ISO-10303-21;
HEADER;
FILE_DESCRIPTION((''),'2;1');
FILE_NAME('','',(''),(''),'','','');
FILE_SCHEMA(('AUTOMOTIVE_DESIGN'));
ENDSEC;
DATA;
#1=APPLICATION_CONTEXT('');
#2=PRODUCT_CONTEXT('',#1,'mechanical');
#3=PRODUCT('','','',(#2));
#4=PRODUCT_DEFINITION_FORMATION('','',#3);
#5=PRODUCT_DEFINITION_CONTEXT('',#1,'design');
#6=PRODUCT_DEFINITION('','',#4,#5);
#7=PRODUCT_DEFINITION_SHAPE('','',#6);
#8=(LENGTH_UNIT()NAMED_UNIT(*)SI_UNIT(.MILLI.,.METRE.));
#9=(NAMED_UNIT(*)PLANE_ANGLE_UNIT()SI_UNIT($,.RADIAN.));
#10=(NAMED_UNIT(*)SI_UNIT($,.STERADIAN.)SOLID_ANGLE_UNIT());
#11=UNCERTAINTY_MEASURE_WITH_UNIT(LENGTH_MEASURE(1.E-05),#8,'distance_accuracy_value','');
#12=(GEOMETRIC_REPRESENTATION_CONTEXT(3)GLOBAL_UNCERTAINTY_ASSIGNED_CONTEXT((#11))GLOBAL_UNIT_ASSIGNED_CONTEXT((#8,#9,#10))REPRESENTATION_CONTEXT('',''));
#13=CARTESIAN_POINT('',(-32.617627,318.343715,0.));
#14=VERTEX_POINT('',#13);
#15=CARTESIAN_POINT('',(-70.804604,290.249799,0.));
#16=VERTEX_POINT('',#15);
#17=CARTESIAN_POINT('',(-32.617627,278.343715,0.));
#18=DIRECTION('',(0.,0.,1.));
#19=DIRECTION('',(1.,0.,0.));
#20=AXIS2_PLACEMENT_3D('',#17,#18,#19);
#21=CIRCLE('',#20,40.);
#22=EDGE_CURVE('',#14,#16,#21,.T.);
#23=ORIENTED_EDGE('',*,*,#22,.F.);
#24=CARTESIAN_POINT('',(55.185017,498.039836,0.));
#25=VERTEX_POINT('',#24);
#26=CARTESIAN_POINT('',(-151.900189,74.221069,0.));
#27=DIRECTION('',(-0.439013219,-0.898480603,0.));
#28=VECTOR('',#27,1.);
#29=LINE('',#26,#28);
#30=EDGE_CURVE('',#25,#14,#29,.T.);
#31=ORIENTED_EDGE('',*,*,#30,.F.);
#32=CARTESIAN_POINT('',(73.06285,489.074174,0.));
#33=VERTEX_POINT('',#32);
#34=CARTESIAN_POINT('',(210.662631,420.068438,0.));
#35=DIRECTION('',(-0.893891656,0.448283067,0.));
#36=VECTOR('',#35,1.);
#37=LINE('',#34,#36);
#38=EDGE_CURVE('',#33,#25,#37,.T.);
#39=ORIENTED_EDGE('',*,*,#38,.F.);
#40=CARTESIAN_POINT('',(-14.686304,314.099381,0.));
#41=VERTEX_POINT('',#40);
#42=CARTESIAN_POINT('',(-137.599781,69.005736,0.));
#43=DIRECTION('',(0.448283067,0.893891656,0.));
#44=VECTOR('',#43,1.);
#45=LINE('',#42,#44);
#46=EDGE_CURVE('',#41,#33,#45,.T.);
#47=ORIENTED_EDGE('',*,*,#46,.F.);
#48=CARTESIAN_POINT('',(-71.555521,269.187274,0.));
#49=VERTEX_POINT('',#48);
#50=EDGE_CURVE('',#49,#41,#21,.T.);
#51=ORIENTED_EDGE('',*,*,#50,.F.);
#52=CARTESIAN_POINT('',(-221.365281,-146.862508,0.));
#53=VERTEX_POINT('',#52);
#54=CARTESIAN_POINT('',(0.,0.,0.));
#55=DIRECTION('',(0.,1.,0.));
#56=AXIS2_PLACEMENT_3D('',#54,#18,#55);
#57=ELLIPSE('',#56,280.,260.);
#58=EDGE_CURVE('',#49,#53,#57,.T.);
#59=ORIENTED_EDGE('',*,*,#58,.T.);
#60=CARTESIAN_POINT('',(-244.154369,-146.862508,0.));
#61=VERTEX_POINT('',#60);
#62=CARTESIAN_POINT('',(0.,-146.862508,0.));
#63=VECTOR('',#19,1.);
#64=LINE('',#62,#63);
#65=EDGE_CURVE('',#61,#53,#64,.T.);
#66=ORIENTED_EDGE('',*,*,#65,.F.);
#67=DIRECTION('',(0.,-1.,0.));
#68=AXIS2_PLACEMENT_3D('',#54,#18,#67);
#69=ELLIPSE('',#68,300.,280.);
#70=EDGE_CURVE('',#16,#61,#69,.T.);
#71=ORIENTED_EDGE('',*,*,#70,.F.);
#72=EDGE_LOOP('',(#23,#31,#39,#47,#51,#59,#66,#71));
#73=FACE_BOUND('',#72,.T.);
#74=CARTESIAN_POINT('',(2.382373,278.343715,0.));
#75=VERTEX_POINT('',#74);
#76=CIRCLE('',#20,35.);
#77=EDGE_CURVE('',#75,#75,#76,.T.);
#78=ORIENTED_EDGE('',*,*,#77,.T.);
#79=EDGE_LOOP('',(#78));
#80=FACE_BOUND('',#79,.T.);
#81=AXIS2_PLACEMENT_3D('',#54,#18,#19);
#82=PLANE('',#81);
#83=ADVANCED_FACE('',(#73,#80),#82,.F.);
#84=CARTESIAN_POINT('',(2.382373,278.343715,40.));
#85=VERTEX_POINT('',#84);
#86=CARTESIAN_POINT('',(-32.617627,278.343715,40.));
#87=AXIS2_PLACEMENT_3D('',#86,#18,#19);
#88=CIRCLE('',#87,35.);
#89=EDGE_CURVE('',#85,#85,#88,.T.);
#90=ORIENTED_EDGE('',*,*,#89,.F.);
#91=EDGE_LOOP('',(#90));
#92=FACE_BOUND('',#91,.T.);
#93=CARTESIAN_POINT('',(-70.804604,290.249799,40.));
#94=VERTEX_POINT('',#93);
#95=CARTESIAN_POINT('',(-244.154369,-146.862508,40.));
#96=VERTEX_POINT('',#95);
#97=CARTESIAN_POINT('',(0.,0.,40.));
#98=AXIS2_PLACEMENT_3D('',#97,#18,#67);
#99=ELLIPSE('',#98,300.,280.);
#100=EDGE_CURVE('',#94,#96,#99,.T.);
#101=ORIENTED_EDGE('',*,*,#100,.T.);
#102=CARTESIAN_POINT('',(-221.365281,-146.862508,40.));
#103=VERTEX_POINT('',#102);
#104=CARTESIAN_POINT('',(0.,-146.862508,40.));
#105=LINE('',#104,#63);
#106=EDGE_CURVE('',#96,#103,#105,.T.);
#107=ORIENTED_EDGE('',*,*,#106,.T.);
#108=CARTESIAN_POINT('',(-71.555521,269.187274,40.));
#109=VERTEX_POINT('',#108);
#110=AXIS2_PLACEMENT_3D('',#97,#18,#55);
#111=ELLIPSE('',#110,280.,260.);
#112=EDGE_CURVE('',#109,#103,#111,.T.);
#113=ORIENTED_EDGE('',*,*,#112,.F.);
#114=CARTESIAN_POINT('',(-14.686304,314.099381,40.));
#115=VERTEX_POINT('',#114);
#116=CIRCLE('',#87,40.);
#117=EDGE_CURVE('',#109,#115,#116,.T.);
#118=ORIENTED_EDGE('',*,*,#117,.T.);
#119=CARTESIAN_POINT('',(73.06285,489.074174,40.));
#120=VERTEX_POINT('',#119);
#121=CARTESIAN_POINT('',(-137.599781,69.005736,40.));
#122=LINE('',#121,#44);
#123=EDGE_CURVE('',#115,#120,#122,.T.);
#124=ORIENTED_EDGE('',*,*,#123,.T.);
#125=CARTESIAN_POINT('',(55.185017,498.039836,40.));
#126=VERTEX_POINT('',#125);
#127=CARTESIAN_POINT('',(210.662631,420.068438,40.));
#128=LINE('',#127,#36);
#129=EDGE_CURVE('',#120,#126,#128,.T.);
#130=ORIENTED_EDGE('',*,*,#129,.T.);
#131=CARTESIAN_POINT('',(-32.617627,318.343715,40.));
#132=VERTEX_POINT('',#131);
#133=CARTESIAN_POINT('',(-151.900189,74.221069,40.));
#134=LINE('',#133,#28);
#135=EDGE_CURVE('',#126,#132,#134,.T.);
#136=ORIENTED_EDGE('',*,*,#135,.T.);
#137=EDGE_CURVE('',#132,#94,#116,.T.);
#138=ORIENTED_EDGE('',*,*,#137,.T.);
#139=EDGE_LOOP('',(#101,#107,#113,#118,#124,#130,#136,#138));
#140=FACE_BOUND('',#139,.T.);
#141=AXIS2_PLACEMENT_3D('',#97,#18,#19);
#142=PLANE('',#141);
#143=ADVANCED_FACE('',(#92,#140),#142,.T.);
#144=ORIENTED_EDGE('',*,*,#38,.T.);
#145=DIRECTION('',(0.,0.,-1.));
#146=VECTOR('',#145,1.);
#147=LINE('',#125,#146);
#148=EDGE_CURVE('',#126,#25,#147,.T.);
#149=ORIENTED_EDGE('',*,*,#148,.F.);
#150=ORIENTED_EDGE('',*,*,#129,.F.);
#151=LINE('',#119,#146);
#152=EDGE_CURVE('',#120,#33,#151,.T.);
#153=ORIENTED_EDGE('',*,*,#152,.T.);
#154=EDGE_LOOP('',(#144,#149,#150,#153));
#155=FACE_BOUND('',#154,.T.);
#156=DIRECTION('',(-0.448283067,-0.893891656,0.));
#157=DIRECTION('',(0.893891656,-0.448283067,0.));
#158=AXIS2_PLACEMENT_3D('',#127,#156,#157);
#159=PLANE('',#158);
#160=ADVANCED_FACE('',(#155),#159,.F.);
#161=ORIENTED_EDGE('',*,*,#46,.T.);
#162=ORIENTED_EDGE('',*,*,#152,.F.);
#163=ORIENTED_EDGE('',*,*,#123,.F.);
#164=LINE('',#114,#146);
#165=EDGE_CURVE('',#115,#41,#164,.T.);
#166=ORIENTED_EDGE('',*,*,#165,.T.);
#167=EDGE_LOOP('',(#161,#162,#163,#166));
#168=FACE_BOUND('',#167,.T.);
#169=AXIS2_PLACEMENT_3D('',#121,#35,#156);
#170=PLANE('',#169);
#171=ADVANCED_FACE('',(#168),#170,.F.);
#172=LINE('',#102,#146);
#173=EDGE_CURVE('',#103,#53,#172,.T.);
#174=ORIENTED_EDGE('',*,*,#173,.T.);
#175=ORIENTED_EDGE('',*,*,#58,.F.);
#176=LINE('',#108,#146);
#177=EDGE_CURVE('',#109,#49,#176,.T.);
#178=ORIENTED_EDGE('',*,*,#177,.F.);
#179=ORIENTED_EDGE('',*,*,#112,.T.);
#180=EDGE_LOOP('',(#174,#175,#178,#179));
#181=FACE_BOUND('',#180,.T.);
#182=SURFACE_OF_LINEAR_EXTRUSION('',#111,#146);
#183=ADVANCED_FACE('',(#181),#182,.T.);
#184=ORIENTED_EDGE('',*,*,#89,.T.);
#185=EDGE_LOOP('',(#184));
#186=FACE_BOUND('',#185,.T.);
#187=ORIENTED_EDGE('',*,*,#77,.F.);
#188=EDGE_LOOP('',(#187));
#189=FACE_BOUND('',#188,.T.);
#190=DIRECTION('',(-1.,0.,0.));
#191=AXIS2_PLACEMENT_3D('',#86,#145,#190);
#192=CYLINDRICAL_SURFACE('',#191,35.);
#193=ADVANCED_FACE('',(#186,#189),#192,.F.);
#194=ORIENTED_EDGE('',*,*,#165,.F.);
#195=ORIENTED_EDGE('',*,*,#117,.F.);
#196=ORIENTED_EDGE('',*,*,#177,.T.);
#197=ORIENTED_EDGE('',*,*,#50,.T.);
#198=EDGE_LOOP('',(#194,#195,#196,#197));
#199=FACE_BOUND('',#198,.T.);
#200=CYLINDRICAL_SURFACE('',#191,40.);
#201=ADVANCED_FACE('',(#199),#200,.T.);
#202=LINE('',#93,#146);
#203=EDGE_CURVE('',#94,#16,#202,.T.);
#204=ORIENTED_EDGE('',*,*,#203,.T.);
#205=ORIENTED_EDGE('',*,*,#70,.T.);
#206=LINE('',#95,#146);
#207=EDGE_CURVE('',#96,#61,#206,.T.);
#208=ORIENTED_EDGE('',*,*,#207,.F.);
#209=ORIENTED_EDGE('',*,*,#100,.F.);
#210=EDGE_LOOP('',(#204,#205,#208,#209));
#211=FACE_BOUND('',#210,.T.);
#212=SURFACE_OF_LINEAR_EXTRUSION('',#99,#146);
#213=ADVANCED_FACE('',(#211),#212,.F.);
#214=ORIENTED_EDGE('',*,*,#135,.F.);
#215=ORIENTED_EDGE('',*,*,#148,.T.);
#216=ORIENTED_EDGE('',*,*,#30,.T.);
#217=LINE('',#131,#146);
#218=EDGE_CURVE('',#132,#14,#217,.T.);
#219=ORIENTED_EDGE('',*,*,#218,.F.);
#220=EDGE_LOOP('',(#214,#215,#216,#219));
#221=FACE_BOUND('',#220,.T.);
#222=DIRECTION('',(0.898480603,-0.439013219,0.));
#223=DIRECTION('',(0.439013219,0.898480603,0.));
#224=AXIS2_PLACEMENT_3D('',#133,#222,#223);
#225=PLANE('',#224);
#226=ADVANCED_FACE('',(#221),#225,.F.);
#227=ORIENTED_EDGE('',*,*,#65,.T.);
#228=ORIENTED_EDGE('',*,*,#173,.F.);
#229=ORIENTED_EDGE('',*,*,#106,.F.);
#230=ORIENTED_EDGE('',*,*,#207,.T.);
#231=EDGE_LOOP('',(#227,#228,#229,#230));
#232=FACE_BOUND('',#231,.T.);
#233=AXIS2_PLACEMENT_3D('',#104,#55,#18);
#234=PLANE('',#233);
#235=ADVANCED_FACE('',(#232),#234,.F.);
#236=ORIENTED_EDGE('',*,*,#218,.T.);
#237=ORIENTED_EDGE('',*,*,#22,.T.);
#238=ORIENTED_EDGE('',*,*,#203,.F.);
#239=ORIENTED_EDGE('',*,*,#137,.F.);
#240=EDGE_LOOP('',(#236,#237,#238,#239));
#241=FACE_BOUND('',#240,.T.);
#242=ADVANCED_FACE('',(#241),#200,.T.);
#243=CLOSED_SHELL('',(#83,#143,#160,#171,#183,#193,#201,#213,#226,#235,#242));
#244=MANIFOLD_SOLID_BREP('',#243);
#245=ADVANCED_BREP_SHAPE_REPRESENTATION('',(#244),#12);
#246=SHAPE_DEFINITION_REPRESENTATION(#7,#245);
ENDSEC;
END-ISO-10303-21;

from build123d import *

# Parameters (mm, degrees)
CROQUIS1_R               = 35
SALIENTE_EXTRUIR15_DEPTH = 40


with BuildPart() as part:
    # Croquis1 → Saliente-Extruir15 (new body)
    with BuildSketch(Plane.XY):
        with BuildLine():
            Line((-14.686304328, 314.09938136), (73.062849976, 489.074174319))
            Line((73.062849976, 489.074174319), (55.185016864, 498.039835657))
            Line((55.185016864, 498.039835657), (-32.617627004, 318.343715137))
            ThreePointArc((-32.617627004, 318.343715137), (-56.321599928, 310.563610662), (-70.80460356, 290.249798518))
            add(Edge.make_bspline(
                [(-70.80460356, 290.249798518), (-421.705541448, 191.98441708), (-244.154369287, -146.862508424)],
                knots=[3.397241876, 3.397241876, 3.397241876, 5.223953064, 5.223953064, 5.223953064], degree=2, weights=[1, 0.611093045, 1]))
            Line((-244.154369287, -146.862508424), (-221.365281412, -146.862508424))
            add(Edge.make_bspline(
                [(-71.555520961, 269.187274007), (-401.226138708, 167.553458018), (-221.365281412, -146.862508424)],
                knots=[0.278811815, 0.278811815, 0.278811815, 2.122934595, 2.122934595, 2.122934595], degree=2, weights=[1, 0.604178825, 1]))
            ThreePointArc((-71.555520961, 269.187274007), (-7.826633559, 246.952527775), (-14.686304328, 314.09938136))
        make_face()
        with Locations((-32.617627004, 278.343715137)):
            Circle(CROQUIS1_R, mode=Mode.SUBTRACT)
    extrude(amount=SALIENTE_EXTRUIR15_DEPTH)


solid = part.part
